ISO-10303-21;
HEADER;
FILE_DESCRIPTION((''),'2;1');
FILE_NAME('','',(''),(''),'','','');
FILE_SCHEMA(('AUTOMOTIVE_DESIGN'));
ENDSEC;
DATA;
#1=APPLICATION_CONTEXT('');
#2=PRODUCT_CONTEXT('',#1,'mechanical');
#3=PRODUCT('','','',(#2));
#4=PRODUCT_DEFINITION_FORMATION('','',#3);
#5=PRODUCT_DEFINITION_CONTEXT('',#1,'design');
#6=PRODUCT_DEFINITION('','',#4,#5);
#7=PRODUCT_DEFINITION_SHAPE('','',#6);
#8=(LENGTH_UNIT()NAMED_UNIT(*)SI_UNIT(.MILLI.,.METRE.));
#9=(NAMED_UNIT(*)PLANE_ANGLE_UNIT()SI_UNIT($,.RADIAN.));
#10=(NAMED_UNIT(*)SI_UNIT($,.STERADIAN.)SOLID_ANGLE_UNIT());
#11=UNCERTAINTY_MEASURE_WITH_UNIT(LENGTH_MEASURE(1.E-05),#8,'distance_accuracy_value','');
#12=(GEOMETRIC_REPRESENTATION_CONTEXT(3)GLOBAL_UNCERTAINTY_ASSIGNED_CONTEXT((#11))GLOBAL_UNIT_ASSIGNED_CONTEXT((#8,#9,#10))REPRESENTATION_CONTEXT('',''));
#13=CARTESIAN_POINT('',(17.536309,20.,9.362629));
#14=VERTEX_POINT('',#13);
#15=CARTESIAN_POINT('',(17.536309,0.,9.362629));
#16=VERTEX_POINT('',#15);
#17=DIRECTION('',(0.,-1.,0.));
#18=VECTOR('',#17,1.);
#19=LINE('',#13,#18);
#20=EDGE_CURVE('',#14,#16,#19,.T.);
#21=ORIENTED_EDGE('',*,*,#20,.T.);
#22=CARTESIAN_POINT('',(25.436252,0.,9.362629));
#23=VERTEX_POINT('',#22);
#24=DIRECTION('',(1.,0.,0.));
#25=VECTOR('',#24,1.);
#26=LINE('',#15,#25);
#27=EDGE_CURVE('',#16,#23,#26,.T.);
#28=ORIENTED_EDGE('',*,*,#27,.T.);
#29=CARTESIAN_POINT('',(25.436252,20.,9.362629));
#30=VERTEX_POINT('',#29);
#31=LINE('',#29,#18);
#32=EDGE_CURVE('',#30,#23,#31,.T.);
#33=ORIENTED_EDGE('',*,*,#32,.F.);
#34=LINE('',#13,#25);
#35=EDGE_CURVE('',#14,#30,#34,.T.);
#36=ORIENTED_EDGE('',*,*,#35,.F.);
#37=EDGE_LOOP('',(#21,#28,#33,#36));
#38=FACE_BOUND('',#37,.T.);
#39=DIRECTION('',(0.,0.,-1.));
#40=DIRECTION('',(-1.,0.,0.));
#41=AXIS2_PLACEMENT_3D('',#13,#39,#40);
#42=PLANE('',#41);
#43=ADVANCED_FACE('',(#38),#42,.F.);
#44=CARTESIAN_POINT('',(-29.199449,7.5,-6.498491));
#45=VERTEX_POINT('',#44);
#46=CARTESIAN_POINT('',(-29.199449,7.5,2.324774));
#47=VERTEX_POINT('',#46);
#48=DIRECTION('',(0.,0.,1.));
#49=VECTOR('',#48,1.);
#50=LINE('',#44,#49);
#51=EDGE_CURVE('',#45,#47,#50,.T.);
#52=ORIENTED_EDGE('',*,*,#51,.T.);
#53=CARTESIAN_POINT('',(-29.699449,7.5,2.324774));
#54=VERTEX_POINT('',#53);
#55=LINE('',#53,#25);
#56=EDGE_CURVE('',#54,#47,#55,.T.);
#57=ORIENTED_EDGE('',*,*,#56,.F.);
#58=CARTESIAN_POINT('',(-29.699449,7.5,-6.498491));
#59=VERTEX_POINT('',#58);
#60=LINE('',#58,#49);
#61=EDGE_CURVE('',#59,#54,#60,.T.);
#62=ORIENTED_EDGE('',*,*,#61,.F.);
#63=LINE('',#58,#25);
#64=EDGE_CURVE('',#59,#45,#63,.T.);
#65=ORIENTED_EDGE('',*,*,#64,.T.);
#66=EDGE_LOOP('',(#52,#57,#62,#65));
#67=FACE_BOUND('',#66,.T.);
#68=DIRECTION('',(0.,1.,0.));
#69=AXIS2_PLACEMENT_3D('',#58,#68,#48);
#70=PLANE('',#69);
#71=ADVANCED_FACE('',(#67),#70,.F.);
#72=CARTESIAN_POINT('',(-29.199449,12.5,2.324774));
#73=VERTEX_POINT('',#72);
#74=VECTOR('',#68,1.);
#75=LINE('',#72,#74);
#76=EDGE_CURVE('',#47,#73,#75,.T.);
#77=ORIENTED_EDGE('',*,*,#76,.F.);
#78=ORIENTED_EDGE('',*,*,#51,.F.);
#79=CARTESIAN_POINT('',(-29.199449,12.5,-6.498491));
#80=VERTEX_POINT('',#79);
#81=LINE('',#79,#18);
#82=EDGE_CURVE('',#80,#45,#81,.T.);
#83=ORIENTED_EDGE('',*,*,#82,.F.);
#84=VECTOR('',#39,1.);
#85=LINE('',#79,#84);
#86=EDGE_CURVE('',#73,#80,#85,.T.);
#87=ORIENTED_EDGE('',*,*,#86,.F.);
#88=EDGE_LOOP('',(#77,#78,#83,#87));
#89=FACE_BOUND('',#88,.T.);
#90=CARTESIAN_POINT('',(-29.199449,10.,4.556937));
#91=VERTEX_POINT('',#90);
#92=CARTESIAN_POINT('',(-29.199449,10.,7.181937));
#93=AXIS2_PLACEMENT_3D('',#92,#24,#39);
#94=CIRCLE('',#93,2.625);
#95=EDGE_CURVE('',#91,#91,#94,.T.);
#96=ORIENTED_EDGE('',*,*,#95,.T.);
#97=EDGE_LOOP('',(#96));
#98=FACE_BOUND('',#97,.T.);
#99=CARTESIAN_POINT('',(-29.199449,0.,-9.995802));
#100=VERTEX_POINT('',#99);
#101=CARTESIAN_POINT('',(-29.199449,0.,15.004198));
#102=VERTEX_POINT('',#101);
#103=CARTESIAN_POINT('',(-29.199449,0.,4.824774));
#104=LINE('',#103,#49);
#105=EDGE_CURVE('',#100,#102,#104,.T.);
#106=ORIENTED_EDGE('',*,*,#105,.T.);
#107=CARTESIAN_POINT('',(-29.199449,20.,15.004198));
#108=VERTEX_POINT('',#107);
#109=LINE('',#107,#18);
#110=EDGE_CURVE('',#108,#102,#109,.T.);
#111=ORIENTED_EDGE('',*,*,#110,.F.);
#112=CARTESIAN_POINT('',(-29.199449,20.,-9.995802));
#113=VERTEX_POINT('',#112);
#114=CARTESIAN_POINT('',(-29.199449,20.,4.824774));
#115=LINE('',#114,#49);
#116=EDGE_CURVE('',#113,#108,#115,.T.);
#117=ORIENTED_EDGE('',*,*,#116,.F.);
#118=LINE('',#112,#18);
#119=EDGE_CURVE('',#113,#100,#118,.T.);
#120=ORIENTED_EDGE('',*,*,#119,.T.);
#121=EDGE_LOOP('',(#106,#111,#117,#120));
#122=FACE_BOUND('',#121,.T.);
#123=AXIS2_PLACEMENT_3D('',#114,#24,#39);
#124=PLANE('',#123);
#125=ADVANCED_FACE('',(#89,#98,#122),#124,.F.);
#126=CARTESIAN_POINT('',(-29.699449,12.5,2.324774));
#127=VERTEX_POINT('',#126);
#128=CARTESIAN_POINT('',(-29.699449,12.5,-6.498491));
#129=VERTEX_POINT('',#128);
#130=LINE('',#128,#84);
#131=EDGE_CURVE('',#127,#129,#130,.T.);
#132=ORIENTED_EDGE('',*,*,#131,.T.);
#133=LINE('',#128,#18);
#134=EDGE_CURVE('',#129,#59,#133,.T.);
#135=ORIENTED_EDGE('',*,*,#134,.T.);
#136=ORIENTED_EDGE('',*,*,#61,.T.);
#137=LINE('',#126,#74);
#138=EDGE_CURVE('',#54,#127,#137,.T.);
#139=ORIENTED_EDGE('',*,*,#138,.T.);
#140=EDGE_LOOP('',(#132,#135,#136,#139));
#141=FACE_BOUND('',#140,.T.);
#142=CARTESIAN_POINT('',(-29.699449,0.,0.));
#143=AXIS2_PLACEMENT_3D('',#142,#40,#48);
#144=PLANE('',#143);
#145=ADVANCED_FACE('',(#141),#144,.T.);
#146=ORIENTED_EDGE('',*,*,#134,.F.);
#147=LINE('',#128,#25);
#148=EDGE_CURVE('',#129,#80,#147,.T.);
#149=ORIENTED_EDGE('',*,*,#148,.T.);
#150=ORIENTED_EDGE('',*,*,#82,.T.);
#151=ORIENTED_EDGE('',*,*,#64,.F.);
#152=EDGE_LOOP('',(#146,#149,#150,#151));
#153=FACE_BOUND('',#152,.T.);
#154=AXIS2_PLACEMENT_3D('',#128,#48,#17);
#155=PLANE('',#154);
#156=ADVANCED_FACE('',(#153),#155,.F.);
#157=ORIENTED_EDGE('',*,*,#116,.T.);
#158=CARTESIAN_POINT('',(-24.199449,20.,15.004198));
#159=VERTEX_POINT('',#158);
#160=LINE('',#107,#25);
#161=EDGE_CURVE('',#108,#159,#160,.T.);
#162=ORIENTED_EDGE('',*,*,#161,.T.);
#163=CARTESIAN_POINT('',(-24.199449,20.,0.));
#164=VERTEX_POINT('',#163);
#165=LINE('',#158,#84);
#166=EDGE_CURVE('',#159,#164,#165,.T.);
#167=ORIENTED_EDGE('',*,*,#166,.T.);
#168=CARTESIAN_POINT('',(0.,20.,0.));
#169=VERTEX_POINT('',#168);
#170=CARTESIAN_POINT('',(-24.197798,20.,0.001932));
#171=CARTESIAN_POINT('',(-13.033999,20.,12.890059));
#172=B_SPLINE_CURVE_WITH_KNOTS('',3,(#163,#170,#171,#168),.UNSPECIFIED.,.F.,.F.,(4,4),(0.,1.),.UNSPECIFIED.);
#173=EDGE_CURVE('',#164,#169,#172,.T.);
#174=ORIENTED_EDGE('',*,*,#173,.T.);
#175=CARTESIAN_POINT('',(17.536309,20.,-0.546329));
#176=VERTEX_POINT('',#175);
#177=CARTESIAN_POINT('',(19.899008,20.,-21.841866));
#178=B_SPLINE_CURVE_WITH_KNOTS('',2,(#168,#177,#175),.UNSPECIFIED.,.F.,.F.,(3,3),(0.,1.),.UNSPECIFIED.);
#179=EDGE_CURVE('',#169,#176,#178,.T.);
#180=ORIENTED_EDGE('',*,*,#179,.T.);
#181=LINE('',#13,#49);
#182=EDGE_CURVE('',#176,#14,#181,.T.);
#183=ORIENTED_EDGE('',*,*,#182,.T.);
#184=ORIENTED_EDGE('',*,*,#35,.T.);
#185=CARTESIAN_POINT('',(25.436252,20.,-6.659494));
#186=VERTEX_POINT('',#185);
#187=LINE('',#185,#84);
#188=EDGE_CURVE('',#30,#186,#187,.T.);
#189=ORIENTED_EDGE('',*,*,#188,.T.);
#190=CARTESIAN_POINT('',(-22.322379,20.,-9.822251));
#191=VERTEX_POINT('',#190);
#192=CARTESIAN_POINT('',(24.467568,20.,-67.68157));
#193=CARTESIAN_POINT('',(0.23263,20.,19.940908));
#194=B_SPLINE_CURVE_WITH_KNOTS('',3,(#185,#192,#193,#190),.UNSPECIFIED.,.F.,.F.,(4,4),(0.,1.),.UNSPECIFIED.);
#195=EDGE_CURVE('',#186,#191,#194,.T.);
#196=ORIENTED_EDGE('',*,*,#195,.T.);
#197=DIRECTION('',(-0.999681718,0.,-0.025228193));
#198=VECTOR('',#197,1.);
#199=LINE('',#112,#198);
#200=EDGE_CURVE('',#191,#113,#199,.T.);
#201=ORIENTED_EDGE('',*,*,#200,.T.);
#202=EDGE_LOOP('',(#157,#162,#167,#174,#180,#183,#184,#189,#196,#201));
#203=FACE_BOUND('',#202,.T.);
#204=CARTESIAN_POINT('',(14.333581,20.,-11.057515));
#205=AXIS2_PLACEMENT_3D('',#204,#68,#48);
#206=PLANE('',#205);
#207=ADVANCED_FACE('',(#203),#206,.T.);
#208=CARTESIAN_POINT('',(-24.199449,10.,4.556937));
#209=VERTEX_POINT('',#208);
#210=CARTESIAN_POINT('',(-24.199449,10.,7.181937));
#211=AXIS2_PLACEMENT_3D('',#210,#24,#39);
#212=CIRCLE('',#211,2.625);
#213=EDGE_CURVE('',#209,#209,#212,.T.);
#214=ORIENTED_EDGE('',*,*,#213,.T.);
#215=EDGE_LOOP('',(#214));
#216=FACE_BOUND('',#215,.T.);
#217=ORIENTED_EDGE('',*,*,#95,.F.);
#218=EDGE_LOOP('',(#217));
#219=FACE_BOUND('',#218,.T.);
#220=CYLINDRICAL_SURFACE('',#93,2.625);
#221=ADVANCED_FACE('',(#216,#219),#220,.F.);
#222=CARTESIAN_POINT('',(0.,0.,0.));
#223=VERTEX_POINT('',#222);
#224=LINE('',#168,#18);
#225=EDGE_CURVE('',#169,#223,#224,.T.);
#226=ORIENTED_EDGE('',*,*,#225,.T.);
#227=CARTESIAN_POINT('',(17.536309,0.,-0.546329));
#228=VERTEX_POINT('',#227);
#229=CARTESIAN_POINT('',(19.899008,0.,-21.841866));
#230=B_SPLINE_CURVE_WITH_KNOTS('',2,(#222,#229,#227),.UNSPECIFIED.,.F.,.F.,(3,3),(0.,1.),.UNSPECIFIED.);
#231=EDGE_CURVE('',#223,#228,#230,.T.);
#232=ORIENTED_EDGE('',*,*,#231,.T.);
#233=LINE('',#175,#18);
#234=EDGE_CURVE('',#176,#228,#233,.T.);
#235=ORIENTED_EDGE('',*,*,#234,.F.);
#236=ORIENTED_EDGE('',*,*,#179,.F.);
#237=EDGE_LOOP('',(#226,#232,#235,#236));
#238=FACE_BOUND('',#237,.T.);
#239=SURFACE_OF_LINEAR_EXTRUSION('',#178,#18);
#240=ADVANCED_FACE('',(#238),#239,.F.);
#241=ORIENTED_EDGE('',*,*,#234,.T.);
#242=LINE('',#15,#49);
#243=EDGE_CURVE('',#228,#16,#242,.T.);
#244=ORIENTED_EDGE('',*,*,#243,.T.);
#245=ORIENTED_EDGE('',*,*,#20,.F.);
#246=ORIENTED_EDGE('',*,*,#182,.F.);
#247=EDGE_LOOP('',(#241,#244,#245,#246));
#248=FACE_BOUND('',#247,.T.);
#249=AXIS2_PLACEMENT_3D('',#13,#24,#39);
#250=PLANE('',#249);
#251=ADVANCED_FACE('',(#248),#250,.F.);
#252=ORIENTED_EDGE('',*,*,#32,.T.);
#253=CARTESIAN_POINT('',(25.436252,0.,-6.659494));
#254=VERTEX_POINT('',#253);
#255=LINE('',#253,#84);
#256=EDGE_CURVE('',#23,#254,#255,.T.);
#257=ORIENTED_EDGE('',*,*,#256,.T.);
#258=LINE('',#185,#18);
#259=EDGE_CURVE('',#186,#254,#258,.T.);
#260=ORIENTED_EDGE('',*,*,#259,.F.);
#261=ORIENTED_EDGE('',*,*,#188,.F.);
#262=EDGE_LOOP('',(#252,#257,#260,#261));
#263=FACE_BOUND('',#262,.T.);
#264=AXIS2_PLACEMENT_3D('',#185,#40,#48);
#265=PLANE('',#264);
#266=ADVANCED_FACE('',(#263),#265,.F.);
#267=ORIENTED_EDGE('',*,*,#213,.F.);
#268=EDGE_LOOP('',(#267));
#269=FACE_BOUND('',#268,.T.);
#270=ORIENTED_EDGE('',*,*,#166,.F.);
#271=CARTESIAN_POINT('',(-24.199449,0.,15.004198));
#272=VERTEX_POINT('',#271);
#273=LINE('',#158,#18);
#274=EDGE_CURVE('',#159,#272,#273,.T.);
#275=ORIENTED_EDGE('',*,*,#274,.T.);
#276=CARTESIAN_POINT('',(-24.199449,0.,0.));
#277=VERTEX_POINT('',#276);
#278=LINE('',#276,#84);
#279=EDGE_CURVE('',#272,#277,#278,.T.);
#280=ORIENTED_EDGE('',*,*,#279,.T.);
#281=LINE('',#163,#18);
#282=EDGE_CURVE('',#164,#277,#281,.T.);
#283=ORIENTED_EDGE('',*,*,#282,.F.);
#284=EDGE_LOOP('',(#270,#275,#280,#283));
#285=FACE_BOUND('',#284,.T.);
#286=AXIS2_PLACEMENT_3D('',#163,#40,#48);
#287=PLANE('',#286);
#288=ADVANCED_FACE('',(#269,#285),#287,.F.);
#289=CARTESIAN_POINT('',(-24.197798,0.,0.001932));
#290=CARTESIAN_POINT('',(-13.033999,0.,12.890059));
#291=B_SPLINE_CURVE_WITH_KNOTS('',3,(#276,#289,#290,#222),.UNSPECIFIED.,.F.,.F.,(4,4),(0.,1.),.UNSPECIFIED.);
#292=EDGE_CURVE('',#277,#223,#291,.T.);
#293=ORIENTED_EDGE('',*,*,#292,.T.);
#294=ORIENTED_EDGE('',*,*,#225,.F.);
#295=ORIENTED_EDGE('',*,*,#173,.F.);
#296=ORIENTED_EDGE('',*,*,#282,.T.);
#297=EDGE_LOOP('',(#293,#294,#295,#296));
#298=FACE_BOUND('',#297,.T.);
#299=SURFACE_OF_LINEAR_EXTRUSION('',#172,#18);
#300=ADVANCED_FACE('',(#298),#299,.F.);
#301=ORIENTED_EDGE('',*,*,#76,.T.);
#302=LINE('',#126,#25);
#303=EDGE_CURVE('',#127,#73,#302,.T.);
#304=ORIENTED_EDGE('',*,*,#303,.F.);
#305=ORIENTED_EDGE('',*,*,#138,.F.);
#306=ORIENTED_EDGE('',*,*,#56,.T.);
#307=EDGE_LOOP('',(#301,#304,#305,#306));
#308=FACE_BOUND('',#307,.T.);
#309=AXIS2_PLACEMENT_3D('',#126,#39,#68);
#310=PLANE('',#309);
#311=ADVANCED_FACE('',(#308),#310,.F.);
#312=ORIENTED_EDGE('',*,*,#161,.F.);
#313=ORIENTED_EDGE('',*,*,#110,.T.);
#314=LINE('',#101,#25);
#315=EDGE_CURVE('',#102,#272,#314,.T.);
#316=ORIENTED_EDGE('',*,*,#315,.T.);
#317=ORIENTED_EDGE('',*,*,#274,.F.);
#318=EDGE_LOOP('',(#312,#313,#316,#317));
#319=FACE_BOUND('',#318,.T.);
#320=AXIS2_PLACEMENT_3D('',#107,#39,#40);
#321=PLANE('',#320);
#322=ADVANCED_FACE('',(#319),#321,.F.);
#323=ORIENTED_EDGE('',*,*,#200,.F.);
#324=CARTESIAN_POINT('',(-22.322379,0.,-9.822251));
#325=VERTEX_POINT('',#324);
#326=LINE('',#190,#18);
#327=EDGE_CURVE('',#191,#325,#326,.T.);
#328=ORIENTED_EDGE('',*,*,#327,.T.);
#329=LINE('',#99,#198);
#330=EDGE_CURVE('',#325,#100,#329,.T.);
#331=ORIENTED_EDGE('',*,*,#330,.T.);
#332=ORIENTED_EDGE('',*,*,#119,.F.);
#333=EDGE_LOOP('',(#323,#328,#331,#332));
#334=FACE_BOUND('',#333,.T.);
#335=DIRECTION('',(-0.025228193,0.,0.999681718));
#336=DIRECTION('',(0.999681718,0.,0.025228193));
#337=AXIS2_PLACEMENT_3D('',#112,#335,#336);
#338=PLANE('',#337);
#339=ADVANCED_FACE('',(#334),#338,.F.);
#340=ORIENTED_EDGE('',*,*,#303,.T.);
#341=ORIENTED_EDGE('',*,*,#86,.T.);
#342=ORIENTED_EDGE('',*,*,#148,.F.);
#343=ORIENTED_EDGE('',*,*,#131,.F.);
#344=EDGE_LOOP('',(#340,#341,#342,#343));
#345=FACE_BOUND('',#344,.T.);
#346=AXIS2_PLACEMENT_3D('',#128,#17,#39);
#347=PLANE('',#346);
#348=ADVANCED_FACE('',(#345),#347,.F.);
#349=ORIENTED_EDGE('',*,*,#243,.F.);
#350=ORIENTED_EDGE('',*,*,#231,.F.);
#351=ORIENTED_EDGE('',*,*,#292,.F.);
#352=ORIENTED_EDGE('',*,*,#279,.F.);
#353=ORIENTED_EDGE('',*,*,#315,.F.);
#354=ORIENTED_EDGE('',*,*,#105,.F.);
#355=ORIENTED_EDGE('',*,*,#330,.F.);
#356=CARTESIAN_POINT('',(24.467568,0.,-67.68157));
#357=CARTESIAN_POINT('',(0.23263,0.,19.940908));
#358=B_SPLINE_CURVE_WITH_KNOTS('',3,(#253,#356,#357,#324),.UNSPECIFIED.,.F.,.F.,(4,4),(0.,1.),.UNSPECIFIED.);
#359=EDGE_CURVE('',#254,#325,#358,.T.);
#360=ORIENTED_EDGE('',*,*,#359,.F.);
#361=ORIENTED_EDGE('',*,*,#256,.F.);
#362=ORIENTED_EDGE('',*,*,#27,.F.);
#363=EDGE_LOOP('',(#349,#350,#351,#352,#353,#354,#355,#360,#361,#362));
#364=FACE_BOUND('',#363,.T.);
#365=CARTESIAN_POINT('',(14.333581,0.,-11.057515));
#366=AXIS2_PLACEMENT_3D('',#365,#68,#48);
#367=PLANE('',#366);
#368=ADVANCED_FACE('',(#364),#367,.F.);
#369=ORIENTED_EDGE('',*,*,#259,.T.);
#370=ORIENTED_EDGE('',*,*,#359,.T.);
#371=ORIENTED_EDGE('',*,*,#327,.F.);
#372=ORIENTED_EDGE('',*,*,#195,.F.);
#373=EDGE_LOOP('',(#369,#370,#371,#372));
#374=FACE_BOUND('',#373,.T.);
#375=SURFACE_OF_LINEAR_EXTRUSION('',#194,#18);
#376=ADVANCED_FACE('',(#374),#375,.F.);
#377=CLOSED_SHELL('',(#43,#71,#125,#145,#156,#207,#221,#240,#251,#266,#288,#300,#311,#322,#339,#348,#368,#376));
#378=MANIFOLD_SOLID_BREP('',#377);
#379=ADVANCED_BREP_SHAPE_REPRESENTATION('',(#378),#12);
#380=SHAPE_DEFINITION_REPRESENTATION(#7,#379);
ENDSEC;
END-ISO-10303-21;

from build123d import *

# Parameters (mm, degrees)
BOSS_EXTRUDE3_DEPTH = 20
SKETCH3_R           = 2.625
CUT_EXTRUDE1_DEPTH  = 6.0000001
SKETCH4_W           = 8.823264565
SKETCH4_H           = 5
BOSS_EXTRUDE4_DEPTH = 0.5


with BuildPart() as part:
    # Sketch1 → Boss-Extrude3 (new body)
    with BuildSketch(Plane(origin=(0, 0, 0), x_dir=(1, 0, 0), z_dir=(0, 1, 0))):
        with BuildLine():
            Line((-24.199448649, 0), (-24.199448649, -4.824773701))
            Line((-24.199448649, -4.824773701), (-24.199448649, -15.004197918))
            Line((-24.199448649, -15.004197918), (-29.199448649, -15.004197918))
            Line((-29.199448649, -15.004197918), (-29.199448649, -4.824773701))
            Line((-29.199448649, -4.824773701), (-29.199448649, 9.995802082))
            Line((-29.199448649, 9.995802082), (-22.322379413, 9.822250815))
            add(Edge.make_bspline(
                [(-22.322379413, 9.822250815), (0.232629534, -19.940907612), (24.467567917, 67.681570283), (25.436252045, 6.659493601)],
                knots=[0, 0, 0, 0, 1, 1, 1, 1], degree=3))
            Line((25.436252045, 6.659493601), (25.436252045, -9.362628557))
            Line((25.436252045, -9.362628557), (17.536308623, -9.362628557))
            Line((17.536308623, -9.362628557), (17.536308623, 0.546329))
            add(Edge.make_bspline(
                [(0, 0), (19.89900847, 21.841866163), (17.536308623, 0.546329)],
                knots=[0, 0, 0, 1, 1, 1], degree=2))
            add(Edge.make_bspline(
                [(-24.199448649, 0), (-24.197798481, -0.001931794), (-13.033999021, -12.890058665), (0, 0)],
                knots=[0, 0, 0, 0, 1, 1, 1, 1], degree=3))
        make_face()
    extrude(amount=BOSS_EXTRUDE3_DEPTH)

    # Sketch3 → Cut-Extrude1 (cut, through all)
    with BuildSketch(Plane(origin=(-24.199448649, 0, 0), x_dir=(0, 0, -1), z_dir=(1, 0, 0))):
        with Locations((-7.181936729, 10)):
            Circle(SKETCH3_R)
    extrude(amount=-CUT_EXTRUDE1_DEPTH, mode=Mode.SUBTRACT)

    # Sketch4 → Boss-Extrude4 (add)
    with BuildSketch(Plane.ZY.offset(29.199448649)):
        with Locations((-2.086858582, 10)):
            Rectangle(SKETCH4_W, SKETCH4_H)
    extrude(amount=BOSS_EXTRUDE4_DEPTH)


solid = part.part
